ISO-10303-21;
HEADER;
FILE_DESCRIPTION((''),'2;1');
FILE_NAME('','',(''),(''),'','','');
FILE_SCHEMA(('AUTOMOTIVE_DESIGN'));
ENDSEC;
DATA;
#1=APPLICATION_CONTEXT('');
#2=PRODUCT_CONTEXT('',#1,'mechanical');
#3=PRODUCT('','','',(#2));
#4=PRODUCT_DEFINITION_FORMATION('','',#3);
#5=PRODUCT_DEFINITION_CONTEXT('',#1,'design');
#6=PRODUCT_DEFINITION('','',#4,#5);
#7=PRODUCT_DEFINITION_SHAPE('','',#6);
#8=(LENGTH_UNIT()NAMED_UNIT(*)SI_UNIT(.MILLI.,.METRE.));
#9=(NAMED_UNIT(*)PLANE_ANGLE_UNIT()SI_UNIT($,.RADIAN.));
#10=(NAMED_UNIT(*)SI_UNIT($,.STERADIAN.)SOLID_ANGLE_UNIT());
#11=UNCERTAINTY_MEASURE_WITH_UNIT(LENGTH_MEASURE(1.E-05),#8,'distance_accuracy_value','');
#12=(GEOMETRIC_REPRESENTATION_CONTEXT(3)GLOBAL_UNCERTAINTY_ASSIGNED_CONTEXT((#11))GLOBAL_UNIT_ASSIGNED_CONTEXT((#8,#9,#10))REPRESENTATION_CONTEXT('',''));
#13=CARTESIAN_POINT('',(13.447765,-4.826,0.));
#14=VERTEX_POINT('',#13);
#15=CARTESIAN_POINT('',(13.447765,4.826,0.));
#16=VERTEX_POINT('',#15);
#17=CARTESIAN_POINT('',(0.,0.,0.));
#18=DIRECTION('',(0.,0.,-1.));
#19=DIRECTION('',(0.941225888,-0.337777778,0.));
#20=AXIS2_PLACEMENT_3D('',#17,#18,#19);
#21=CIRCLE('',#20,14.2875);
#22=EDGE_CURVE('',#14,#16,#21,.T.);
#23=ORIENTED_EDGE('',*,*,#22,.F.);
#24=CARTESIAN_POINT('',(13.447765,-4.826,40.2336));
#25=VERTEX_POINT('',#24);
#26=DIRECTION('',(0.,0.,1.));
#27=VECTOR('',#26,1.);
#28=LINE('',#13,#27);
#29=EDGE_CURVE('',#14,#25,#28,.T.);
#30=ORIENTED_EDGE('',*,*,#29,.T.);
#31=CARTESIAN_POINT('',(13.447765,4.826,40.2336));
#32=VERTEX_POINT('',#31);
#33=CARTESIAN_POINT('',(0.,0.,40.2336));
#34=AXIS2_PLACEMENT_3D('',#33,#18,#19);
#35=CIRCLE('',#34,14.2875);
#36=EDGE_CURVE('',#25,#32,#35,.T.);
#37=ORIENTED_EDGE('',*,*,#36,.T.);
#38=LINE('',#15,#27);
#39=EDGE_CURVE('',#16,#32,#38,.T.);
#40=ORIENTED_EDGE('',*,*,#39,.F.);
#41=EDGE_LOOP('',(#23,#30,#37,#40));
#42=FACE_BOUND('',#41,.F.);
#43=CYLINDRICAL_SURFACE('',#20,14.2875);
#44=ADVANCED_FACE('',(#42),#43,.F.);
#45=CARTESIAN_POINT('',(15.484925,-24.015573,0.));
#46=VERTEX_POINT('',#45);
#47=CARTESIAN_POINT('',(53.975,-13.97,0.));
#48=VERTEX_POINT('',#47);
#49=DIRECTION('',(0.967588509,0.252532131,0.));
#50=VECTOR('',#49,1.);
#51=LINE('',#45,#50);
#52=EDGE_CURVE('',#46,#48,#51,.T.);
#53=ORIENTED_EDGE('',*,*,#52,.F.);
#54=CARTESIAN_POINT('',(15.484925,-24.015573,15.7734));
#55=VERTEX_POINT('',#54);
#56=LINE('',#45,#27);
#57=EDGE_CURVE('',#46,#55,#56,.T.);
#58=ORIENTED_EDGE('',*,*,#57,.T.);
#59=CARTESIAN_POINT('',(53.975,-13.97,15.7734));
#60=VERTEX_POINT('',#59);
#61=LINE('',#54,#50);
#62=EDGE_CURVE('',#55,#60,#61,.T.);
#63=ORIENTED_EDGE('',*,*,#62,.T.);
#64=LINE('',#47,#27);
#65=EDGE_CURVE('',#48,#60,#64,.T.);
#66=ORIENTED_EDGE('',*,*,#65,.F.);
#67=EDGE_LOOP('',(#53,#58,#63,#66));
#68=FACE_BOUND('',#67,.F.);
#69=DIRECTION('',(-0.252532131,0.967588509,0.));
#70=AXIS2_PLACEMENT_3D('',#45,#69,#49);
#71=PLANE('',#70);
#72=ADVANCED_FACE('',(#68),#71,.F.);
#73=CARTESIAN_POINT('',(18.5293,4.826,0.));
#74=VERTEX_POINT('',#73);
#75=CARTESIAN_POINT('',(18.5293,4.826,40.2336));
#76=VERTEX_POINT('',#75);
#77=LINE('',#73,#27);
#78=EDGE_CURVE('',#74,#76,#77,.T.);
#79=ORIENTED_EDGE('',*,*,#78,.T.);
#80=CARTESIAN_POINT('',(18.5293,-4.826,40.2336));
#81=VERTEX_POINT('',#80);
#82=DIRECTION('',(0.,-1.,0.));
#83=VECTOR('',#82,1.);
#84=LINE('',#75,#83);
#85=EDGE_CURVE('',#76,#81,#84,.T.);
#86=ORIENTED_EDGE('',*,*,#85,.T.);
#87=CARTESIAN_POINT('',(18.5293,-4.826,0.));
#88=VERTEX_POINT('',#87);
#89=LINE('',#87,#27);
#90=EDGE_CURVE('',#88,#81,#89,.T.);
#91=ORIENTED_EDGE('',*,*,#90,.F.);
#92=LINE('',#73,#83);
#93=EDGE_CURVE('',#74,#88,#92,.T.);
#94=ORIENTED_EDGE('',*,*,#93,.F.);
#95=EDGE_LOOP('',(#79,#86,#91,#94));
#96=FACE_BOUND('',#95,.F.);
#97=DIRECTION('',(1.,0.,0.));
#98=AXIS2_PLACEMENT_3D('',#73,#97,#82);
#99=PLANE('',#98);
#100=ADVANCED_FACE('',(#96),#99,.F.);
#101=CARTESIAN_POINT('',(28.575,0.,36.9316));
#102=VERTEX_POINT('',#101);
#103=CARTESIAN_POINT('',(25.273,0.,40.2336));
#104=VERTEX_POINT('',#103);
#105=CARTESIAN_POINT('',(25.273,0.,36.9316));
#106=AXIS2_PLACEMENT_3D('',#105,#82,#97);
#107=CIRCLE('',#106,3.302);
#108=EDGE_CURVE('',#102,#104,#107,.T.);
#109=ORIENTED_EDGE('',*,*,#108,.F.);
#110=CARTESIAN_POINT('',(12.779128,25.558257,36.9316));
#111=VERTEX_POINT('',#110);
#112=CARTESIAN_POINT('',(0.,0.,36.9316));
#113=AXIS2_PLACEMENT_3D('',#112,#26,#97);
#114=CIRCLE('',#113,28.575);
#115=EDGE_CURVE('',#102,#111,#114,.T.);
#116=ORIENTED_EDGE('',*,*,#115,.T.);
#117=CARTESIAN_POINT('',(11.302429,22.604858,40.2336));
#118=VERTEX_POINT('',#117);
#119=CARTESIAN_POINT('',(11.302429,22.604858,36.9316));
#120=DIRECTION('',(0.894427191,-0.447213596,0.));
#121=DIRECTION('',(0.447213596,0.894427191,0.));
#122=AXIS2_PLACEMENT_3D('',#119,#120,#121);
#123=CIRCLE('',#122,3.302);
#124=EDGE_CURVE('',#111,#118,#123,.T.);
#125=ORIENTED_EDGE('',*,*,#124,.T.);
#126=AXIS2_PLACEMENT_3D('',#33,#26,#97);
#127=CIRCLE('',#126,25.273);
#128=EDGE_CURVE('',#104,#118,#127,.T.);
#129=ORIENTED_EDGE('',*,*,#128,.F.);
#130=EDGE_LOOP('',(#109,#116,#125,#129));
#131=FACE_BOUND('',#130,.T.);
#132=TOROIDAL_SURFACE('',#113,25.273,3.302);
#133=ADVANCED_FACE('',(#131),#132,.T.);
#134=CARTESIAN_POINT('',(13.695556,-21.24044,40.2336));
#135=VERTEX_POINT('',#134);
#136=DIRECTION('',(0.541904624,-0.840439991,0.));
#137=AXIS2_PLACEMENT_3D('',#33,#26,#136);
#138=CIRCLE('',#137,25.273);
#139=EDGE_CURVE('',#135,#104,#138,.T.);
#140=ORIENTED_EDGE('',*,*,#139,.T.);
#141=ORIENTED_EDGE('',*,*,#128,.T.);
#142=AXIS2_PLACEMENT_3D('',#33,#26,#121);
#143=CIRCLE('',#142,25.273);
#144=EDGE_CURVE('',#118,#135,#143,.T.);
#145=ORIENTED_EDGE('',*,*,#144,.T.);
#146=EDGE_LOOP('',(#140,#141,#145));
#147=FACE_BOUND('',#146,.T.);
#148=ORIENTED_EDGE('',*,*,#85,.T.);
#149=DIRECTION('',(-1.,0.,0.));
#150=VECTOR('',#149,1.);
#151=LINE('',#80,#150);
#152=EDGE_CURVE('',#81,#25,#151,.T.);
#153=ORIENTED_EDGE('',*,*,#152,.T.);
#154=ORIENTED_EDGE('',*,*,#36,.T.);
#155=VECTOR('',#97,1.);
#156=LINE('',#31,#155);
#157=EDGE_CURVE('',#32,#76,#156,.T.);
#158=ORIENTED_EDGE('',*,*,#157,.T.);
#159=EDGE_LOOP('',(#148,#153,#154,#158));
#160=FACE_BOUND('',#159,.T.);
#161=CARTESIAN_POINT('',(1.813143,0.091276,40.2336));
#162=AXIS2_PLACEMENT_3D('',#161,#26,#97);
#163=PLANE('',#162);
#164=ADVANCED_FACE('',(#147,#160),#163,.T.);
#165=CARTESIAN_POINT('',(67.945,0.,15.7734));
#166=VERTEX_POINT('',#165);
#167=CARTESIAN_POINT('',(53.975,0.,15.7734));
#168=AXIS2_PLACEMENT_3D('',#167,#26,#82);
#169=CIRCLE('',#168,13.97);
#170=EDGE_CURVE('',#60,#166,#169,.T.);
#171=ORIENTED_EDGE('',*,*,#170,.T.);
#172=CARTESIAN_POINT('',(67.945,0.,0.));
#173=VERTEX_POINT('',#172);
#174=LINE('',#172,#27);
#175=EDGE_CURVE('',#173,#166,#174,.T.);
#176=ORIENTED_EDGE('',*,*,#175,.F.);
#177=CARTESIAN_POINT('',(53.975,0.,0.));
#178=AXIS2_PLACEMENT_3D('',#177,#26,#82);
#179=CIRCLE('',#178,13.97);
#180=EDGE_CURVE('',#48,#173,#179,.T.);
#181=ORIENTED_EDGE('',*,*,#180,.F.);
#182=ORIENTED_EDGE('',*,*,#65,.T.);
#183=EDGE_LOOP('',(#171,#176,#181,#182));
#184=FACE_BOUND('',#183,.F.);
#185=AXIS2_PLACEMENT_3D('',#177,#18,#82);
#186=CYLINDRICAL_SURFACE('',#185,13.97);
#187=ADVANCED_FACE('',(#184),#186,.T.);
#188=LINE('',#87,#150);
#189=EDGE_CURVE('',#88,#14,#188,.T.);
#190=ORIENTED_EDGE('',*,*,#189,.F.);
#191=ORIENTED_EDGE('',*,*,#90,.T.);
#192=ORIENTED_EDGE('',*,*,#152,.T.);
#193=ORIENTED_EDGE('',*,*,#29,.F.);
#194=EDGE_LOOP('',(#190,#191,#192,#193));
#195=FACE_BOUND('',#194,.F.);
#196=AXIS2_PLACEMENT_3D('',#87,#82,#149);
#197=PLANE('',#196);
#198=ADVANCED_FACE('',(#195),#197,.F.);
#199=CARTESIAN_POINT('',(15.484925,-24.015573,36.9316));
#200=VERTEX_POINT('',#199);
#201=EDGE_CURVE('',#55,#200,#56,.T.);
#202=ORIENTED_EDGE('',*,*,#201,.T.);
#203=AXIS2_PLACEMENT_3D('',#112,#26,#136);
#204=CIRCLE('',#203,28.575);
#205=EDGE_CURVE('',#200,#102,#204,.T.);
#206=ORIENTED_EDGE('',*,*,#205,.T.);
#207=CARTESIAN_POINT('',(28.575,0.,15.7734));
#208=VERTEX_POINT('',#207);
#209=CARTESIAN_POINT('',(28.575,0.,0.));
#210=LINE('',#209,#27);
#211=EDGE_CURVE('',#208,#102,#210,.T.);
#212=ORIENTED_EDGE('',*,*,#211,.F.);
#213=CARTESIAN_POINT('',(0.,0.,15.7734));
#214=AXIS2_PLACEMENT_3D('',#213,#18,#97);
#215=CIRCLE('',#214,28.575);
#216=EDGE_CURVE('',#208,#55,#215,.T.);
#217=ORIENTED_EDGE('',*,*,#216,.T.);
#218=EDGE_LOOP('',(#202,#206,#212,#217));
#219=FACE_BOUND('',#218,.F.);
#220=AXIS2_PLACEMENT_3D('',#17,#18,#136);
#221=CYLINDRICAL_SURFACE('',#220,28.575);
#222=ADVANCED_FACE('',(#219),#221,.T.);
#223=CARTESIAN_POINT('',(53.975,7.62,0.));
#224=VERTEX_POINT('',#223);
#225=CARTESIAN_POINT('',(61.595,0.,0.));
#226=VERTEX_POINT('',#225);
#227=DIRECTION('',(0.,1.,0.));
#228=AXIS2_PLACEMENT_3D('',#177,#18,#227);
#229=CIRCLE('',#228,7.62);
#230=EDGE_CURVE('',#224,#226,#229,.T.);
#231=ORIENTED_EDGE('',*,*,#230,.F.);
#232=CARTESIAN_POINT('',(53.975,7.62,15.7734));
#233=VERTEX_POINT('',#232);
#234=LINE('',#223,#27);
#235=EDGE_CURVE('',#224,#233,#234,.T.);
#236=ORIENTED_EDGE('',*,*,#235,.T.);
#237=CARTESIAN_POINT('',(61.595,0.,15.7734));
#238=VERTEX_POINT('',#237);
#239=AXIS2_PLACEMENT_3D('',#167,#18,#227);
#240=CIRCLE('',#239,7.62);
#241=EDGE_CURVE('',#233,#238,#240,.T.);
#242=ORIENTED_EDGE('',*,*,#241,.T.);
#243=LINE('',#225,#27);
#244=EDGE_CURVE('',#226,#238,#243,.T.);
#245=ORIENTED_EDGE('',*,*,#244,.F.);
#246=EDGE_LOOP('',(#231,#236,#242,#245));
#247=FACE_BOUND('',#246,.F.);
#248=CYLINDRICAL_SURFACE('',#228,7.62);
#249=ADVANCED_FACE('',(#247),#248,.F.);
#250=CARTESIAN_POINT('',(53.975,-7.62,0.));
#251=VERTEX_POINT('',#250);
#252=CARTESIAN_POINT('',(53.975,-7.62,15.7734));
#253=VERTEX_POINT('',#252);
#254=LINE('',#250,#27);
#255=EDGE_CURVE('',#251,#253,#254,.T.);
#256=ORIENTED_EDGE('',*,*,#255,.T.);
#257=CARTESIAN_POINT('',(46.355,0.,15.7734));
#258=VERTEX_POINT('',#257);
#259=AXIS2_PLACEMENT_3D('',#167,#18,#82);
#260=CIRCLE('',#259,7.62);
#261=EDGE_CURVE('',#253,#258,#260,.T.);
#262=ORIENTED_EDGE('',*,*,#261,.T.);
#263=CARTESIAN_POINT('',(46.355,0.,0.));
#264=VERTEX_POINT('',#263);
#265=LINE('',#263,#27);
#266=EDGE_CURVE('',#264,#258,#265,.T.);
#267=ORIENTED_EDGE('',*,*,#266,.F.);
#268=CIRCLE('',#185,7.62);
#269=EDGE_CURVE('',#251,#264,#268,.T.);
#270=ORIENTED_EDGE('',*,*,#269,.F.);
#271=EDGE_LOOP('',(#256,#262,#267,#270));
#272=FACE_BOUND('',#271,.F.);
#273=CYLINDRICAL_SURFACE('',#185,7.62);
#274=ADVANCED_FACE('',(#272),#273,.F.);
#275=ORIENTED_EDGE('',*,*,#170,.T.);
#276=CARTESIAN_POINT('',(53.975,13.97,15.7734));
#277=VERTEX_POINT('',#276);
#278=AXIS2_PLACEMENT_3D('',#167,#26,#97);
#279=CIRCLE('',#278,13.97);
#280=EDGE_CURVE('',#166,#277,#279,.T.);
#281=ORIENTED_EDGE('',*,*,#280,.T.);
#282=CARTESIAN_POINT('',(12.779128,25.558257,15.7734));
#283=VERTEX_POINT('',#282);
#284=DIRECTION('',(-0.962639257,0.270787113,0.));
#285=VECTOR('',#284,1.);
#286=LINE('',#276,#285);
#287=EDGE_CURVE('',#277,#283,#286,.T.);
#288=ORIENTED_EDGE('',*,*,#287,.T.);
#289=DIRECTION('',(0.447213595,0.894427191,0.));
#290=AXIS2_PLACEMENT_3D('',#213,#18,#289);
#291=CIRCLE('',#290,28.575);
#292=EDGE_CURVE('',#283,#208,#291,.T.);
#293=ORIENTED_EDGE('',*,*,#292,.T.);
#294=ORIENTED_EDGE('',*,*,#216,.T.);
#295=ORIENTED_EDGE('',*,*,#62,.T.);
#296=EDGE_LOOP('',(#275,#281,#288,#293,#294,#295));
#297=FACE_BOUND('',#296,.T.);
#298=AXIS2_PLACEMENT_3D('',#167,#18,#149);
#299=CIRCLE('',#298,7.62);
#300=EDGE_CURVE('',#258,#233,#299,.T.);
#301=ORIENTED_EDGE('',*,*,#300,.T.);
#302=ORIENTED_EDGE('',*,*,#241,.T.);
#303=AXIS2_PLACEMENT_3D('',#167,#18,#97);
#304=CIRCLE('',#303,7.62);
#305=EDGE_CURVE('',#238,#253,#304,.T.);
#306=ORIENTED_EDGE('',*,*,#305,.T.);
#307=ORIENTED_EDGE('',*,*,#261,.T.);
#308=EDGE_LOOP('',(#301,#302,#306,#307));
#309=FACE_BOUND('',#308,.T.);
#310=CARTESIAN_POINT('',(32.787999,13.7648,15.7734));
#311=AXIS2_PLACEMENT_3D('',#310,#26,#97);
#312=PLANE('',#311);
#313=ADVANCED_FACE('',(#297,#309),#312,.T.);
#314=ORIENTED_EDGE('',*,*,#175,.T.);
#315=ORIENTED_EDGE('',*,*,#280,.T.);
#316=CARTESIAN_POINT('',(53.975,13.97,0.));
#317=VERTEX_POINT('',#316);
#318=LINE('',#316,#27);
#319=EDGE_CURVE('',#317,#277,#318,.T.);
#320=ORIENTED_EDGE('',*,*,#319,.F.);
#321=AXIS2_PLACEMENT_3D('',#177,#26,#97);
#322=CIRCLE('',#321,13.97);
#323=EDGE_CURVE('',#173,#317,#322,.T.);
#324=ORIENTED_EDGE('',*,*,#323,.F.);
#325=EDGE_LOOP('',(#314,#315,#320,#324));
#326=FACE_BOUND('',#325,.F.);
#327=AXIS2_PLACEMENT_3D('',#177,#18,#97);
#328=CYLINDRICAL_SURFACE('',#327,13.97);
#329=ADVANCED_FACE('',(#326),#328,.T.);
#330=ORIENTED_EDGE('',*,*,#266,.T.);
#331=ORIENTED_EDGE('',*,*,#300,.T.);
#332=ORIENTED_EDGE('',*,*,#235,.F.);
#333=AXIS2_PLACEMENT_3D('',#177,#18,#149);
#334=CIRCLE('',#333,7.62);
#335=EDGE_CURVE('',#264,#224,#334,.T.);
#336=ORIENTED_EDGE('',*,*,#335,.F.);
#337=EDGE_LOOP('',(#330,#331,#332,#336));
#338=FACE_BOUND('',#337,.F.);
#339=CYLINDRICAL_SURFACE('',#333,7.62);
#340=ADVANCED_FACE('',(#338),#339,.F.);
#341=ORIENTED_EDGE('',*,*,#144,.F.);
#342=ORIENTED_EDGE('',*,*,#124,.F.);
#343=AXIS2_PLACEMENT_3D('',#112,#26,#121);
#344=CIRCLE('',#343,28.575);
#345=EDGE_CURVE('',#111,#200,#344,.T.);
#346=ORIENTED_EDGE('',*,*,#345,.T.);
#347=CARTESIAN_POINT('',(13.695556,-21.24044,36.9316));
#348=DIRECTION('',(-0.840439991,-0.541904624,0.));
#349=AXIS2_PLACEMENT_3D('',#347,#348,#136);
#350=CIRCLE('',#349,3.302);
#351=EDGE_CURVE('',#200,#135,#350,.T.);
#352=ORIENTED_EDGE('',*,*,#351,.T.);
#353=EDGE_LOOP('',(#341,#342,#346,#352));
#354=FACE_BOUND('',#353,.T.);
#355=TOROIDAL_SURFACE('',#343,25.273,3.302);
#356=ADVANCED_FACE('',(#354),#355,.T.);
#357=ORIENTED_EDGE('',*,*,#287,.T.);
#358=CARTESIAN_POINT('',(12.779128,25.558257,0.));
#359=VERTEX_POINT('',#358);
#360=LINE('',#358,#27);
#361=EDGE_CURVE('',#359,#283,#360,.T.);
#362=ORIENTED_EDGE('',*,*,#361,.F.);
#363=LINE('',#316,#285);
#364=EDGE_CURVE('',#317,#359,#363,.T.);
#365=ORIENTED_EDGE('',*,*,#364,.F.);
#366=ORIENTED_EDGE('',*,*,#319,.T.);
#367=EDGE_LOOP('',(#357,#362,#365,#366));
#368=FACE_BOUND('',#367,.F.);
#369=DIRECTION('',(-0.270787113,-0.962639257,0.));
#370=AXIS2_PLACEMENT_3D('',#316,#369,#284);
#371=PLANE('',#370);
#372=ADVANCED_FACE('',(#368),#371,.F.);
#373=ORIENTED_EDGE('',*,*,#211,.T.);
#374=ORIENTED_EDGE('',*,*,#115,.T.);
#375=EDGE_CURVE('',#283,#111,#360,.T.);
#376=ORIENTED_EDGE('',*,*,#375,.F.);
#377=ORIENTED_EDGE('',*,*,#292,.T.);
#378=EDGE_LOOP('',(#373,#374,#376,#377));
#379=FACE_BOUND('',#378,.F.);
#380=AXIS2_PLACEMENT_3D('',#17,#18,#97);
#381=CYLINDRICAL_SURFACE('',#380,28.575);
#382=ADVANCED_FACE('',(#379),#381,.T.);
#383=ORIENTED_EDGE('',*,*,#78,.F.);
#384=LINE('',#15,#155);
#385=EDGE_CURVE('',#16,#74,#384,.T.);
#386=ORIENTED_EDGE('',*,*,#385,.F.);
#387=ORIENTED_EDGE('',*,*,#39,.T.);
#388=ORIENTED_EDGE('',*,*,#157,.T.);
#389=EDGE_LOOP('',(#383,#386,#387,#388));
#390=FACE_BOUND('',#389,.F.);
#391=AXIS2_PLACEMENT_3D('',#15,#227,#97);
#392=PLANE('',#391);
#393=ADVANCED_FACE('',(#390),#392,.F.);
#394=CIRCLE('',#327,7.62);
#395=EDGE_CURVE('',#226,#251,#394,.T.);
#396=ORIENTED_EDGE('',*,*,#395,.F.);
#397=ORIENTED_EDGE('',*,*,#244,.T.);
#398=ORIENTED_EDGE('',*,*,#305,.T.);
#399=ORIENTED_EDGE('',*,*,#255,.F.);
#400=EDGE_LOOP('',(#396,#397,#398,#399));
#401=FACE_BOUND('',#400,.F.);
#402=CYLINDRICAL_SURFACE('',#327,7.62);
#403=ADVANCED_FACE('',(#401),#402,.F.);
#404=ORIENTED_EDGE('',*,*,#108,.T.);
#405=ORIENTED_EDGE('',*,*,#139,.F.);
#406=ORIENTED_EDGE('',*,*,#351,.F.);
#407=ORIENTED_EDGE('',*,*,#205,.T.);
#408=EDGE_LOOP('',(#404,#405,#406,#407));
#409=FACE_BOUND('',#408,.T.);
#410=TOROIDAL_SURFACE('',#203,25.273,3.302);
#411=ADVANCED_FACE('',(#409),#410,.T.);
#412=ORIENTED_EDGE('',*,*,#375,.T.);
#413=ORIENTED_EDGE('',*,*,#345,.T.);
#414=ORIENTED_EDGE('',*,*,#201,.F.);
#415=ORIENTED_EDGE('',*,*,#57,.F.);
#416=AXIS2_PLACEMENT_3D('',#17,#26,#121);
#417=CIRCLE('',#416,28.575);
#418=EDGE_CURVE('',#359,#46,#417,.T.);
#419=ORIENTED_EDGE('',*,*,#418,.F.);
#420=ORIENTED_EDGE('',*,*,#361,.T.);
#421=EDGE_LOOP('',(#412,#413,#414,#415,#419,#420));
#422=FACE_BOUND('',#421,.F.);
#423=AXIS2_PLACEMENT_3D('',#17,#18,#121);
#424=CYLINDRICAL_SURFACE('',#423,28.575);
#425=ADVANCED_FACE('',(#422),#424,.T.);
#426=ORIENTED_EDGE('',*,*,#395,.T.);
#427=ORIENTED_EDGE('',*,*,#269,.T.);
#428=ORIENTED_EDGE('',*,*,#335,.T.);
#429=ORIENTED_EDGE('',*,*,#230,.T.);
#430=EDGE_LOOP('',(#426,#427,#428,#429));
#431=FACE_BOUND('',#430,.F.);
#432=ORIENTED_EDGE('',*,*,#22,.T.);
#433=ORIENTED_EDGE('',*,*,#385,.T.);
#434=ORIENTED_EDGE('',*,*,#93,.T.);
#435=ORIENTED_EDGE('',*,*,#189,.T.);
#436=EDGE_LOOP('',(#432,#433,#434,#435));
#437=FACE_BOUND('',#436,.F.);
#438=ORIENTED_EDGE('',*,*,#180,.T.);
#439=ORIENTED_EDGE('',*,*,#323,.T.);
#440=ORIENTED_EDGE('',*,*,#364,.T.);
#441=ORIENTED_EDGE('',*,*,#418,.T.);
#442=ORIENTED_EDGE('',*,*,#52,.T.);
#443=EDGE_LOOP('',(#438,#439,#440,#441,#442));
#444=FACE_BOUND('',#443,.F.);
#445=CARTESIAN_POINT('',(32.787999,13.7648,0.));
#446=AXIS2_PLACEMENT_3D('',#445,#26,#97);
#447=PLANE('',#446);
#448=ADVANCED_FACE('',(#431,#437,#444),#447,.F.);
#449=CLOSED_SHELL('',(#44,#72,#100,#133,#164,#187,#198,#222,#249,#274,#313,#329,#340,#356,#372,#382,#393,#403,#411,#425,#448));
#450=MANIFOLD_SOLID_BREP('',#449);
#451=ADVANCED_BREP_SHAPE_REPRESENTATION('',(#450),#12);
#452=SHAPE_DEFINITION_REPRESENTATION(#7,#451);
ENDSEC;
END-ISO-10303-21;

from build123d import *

# Parameters (mm, degrees)
F1_DEPTH = 40.2336
F2_DEPTH = 15.7734
F3_R     = 3.302


with BuildPart() as f1:
    # F0 (on Top) → F1 (new body)
    with BuildSketch(Plane.XY):
        with BuildLine():
            ThreePointArc((15.4849246273, -24.0155727453), (25.0899616005, -13.6756883515), (28.575, 0))
            ThreePointArc((28.575, 0), (24.3073468487, 15.0227665288), (12.7791284914, 25.5582569828))
            ThreePointArc((12.7791284914, 25.5582569828), (-28.532530963, -1.5573380643), (15.4849246273, -24.0155727453))
        make_face()
        with BuildLine():
            Line((18.5293, 4.826), (18.5293, 0))
            Line((18.5293, 0), (18.5293, -4.826))
            Line((18.5293, -4.826), (13.4477648793, -4.826))
            ThreePointArc((13.4477648793, -4.826), (-14.2875, 0), (13.4477648793, 4.826))
            Line((13.4477648793, 4.826), (18.5293, 4.826))
        make_face(mode=Mode.SUBTRACT)
    extrude(amount=F1_DEPTH)

    # F0 (on Top) → F2 (join)
    with BuildSketch(Plane.XY):
        with BuildLine():
            ThreePointArc((12.7791284914, 25.5582569828), (24.3073468487, 15.0227665288), (28.575, 0))
            Line((28.575, 0), (40.005, 0))
            ThreePointArc((40.005, 0), (44.0967182668, 9.8782817332), (53.975, 13.97))
            Line((53.975, 13.97), (12.7791284914, 25.5582569828))
        make_face()
        with BuildLine():
            Line((40.005, 0), (28.575, 0))
            ThreePointArc((28.575, 0), (25.0899616005, -13.6756883515), (15.4849246273, -24.0155727453))
            Line((15.4849246273, -24.0155727453), (53.975, -13.97))
            ThreePointArc((53.975, -13.97), (44.0967182668, -9.8782817332), (40.005, 0))
        make_face()
        with BuildLine():
            Line((46.355, 0), (40.005, 0))
            ThreePointArc((40.005, 0), (44.0967182668, -9.8782817332), (53.975, -13.97))
            Line((53.975, -13.97), (53.975, -7.62))
            ThreePointArc((53.975, -7.62), (48.5868463274, -5.3881536726), (46.355, 0))
        make_face()
        with BuildLine():
            ThreePointArc((53.975, 13.97), (44.0967182668, 9.8782817332), (40.005, 0))
            Line((40.005, 0), (46.355, 0))
            ThreePointArc((46.355, 0), (48.5868463274, 5.3881536726), (53.975, 7.62))
            Line((53.975, 7.62), (53.975, 13.97))
        make_face()
        with BuildLine():
            ThreePointArc((67.945, 0), (63.8532817332, 9.8782817332), (53.975, 13.97))
            Line((53.975, 13.97), (53.975, 7.62))
            ThreePointArc((53.975, 7.62), (59.3631536726, 5.3881536726), (61.595, 0))
            ThreePointArc((61.595, 0), (59.3631536726, -5.3881536726), (53.975, -7.62))
            Line((53.975, -7.62), (53.975, -13.97))
            ThreePointArc((53.975, -13.97), (63.8532817332, -9.8782817332), (67.945, 0))
        make_face()
    extrude(amount=F2_DEPTH)

    # F3
    f3_edges = [f1.edges().sort_by_distance(p)[0] for p in [
        (-15.484925, 24.015573, 40.2336),
    ]]
    fillet(f3_edges, radius=F3_R)


solid = f1.part
